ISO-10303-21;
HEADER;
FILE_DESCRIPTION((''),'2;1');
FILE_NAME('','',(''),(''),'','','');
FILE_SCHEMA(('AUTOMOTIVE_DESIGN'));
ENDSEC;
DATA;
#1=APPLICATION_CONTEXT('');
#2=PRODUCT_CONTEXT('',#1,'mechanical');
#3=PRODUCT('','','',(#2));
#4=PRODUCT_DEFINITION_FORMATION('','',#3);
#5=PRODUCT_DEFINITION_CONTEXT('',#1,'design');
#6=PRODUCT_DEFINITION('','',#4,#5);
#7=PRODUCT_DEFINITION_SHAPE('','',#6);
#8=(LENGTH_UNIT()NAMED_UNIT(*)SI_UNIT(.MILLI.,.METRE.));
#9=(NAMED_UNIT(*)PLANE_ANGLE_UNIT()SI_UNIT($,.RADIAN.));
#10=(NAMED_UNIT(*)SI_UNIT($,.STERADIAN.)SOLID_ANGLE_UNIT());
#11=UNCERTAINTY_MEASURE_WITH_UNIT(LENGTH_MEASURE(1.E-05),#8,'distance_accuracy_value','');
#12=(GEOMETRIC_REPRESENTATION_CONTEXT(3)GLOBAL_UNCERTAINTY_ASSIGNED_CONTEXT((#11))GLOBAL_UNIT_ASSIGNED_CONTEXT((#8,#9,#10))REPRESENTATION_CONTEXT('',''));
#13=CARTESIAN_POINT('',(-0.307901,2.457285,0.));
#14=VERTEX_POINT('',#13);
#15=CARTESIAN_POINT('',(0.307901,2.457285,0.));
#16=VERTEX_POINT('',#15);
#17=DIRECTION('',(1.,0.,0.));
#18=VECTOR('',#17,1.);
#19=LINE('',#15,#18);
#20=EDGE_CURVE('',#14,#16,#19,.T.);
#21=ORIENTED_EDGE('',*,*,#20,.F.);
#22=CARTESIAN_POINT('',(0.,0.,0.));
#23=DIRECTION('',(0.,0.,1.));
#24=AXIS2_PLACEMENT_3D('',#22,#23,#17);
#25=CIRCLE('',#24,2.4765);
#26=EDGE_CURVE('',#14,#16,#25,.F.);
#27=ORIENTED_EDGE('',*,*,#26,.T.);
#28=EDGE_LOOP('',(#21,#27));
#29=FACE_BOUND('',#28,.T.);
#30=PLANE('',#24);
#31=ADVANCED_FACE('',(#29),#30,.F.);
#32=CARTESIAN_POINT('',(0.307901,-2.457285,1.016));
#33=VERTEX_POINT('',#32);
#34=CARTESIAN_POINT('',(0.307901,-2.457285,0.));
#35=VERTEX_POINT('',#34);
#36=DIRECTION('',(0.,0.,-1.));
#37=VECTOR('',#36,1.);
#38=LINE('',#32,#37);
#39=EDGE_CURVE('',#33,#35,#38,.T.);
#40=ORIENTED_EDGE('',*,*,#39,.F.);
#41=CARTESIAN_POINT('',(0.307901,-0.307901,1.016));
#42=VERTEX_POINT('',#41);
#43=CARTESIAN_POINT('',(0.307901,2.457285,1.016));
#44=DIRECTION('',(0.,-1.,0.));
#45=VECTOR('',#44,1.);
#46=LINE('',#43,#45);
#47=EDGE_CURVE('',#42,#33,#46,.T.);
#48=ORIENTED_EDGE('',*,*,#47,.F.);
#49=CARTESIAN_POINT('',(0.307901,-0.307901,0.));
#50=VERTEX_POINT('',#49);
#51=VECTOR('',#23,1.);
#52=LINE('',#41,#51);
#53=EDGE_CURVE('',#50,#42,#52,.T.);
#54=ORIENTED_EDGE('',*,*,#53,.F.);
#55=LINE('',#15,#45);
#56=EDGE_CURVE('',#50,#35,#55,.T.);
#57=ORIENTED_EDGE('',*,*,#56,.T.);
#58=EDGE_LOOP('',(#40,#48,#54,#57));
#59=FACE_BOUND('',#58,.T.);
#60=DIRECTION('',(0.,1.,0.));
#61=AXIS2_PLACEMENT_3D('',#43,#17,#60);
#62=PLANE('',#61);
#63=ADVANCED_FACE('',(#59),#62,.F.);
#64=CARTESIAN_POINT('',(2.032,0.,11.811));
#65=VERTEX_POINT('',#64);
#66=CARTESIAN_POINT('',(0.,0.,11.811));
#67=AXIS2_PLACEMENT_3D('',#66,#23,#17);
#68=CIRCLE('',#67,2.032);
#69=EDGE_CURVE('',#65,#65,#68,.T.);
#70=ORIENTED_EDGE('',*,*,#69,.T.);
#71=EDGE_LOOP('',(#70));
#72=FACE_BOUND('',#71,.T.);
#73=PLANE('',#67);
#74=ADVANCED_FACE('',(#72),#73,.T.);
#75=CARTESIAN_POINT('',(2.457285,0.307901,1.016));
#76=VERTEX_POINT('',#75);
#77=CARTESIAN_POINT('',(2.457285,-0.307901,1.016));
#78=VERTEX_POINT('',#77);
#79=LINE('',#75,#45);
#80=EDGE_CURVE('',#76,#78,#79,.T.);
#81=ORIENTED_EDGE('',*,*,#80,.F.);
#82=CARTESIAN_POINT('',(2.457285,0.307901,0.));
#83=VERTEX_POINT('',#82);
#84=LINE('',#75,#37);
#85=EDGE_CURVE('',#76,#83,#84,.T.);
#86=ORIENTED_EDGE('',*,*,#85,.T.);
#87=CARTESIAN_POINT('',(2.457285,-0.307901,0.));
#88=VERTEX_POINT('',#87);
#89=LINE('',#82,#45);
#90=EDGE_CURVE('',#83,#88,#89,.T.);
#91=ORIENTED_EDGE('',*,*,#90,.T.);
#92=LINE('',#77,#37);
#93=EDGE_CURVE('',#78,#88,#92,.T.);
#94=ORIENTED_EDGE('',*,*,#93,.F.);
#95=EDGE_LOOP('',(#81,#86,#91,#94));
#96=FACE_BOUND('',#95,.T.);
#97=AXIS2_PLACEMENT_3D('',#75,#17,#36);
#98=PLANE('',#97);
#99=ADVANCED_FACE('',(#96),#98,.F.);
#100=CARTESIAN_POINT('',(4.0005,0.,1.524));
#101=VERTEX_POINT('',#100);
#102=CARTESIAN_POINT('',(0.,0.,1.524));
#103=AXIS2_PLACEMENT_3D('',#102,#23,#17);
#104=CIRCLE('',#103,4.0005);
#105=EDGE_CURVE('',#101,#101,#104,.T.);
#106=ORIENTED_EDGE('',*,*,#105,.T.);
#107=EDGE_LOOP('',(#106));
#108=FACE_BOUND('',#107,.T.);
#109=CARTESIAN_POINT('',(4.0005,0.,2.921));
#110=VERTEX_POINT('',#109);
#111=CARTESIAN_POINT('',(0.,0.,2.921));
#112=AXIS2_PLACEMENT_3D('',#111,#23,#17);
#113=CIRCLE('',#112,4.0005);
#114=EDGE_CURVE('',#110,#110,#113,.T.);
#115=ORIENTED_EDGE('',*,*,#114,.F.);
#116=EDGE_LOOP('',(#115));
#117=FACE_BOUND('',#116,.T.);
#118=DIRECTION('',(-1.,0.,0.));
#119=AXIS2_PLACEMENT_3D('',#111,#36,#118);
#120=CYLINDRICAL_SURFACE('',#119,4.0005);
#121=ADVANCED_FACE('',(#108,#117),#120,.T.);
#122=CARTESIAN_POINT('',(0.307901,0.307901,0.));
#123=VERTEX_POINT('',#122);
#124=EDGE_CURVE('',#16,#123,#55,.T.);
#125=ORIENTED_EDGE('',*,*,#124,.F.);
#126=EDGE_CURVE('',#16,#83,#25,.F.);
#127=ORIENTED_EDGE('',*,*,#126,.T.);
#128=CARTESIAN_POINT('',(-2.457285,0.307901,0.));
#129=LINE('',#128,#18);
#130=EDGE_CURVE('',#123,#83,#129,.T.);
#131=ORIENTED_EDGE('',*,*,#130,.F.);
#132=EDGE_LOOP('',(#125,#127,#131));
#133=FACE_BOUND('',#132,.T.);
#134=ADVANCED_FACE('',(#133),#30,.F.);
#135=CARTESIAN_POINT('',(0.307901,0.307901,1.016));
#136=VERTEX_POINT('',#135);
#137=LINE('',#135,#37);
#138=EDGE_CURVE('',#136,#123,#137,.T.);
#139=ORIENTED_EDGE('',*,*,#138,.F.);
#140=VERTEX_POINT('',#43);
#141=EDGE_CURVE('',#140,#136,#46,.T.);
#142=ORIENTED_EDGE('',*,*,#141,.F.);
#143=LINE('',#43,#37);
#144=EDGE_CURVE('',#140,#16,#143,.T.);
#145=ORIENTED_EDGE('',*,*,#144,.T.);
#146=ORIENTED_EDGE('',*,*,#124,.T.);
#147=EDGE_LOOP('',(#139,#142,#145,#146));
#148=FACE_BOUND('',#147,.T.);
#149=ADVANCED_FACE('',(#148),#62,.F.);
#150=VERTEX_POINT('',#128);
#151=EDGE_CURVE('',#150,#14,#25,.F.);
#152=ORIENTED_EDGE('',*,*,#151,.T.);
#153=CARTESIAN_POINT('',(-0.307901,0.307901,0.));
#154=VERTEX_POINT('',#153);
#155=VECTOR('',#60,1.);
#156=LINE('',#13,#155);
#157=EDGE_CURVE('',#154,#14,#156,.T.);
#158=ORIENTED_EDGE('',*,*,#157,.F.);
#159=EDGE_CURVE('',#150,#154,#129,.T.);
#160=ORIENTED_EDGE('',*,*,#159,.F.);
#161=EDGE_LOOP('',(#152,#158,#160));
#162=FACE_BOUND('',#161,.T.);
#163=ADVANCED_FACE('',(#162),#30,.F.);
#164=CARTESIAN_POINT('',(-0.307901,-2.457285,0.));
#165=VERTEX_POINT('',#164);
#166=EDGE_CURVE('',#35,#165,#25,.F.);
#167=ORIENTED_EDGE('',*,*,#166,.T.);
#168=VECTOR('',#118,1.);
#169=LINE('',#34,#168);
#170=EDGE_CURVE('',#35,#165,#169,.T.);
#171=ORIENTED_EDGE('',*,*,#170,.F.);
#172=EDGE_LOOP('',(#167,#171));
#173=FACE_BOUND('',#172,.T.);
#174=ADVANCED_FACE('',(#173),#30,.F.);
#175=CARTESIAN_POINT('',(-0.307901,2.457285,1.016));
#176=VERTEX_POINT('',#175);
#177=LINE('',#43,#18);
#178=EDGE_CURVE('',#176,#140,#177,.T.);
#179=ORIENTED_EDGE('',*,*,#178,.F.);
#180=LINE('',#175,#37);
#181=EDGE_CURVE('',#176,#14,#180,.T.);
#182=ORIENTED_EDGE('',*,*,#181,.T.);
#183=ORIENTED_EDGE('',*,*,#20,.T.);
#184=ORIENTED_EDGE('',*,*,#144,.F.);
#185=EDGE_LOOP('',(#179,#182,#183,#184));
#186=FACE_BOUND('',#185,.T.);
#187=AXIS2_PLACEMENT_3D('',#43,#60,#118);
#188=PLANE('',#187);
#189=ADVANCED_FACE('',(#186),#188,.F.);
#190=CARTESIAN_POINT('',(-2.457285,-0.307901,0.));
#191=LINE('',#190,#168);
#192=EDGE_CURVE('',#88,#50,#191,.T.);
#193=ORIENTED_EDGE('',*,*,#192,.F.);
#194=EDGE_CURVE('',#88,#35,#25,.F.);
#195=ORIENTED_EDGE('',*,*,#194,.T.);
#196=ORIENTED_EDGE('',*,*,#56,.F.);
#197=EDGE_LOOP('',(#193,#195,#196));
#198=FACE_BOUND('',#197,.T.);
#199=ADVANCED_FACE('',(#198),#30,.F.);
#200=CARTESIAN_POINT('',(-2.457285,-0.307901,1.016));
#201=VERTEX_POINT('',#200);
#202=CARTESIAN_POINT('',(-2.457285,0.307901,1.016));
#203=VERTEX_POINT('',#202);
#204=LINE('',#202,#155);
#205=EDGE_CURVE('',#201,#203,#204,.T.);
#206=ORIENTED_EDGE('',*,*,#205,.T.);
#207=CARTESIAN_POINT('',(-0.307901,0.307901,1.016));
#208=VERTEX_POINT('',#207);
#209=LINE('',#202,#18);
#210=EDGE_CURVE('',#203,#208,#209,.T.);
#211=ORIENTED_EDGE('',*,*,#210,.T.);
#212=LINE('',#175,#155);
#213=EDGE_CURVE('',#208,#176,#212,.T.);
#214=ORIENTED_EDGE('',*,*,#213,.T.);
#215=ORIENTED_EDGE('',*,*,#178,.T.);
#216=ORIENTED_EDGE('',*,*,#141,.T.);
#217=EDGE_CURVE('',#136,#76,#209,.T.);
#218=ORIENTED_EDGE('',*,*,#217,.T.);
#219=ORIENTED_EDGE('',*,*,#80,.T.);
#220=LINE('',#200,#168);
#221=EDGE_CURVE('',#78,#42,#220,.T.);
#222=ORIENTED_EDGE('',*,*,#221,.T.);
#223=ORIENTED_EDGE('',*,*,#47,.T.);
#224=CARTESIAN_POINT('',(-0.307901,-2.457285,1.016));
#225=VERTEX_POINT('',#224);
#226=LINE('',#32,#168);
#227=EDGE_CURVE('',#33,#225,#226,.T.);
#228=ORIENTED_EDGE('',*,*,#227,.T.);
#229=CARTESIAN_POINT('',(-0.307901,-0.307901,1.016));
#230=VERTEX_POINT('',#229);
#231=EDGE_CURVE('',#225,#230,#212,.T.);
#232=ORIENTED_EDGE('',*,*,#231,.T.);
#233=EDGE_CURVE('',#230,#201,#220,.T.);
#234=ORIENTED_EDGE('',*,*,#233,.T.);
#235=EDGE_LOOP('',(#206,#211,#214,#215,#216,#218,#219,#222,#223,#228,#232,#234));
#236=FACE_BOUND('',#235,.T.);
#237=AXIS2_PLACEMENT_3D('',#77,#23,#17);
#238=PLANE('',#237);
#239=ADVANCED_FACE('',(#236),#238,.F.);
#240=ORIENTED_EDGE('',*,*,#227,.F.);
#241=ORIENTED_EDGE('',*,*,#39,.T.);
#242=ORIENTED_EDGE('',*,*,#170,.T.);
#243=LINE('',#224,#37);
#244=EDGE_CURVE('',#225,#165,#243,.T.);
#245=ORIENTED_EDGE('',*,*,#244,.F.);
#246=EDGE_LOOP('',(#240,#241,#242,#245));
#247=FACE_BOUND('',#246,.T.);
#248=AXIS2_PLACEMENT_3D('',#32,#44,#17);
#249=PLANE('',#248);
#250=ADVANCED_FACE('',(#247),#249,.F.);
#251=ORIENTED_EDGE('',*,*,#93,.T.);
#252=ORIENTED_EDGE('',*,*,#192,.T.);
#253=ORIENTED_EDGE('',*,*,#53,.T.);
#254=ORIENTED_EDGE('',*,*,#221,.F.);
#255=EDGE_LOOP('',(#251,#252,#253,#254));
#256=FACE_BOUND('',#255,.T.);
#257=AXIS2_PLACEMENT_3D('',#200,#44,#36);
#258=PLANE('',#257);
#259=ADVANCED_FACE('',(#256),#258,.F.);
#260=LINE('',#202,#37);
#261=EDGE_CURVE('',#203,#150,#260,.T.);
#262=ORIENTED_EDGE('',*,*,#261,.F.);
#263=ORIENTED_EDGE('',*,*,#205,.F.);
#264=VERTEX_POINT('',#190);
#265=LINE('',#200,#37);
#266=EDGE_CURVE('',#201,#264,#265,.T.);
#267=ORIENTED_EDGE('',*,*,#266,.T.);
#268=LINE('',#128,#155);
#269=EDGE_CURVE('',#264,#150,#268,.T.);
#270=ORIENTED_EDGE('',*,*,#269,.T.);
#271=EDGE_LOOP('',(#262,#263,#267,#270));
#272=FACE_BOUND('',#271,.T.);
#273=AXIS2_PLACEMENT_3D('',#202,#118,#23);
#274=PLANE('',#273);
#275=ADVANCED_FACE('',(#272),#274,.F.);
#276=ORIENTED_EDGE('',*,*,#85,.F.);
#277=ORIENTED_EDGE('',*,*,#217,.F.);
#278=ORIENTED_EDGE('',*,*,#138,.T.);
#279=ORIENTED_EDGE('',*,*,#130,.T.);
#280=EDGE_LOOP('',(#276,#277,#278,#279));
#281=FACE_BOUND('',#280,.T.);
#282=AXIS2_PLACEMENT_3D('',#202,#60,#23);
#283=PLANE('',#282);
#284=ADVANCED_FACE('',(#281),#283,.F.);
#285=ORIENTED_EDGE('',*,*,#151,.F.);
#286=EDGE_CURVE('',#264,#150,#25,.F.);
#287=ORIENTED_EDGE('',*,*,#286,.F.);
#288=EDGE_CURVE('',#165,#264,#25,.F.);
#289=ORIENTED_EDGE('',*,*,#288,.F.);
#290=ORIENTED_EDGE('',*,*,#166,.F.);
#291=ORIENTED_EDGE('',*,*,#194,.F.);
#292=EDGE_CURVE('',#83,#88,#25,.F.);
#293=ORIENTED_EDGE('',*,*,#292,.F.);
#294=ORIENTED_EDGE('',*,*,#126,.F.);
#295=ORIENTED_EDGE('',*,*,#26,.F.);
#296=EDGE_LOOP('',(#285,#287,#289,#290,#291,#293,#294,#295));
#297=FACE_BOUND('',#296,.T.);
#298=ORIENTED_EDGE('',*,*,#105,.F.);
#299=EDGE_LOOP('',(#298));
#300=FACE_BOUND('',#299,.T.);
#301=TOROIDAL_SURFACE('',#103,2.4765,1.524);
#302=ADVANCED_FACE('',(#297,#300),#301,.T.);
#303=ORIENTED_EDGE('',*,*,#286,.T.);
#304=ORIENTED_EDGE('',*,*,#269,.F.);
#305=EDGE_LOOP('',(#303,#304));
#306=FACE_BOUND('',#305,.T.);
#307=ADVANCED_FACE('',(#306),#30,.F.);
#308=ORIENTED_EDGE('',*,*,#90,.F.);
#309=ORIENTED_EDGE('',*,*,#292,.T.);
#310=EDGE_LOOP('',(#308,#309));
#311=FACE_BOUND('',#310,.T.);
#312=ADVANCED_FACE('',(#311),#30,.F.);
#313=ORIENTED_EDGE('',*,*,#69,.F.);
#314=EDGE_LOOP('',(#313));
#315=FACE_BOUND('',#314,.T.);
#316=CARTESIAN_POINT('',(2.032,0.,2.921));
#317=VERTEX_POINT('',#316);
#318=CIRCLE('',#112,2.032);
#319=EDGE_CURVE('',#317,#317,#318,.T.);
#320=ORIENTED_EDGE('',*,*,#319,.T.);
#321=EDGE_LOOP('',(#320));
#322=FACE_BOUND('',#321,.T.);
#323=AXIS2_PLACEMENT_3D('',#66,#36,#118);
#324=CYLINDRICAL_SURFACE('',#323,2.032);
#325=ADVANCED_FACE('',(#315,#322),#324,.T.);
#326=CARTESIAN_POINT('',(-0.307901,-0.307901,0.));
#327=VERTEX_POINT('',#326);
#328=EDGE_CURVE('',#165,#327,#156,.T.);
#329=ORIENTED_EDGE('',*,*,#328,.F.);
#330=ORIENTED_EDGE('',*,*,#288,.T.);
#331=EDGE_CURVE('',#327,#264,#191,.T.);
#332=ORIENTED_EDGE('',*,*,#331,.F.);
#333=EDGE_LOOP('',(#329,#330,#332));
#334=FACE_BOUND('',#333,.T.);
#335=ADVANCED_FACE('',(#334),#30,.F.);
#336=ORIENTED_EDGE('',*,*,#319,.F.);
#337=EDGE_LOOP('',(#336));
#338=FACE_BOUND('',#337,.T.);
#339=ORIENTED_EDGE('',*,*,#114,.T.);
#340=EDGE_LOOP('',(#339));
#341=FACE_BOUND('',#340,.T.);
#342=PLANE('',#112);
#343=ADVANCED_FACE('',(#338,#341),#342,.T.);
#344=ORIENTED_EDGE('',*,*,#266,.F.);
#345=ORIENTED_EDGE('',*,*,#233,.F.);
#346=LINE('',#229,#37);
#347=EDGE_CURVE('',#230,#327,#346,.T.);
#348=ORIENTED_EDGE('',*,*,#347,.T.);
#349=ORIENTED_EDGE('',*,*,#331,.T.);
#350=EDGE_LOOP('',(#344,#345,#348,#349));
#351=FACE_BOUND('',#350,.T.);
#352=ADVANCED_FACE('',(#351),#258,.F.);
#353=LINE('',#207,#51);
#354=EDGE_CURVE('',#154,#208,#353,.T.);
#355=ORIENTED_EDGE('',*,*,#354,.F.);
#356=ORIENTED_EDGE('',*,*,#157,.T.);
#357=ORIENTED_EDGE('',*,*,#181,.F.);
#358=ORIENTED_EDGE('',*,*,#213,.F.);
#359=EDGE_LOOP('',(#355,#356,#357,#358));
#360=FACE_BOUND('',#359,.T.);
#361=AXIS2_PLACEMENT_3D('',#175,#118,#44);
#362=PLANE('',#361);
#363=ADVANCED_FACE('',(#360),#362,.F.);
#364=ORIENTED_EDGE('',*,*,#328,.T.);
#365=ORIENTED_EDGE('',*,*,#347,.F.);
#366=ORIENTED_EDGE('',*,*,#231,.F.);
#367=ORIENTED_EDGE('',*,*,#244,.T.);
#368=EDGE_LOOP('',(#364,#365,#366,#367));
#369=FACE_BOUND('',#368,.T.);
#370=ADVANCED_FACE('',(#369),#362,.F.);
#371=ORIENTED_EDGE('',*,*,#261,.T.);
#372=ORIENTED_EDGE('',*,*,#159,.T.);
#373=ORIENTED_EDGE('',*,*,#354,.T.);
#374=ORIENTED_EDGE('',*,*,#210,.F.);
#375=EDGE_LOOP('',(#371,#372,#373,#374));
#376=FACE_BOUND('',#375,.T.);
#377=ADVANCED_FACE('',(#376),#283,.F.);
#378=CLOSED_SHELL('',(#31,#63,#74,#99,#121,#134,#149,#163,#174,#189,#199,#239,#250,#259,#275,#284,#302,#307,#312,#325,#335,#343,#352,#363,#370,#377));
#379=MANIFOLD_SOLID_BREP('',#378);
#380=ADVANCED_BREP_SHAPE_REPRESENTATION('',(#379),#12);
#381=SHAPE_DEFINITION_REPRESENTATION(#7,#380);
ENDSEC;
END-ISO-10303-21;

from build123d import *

# Parameters (mm, degrees)
SKETCH1_R         = 4.0005
EXTRUDE1_DEPTH    = 2.921
FILLET1_R         = 1.524
SKETCH2_R         = 2.032
EXTRUDE2_DEPTH    = 8.89
SKETCH3_W         = 4.91456988
SKETCH3_H         = 0.615801824
EXTRUDE3_DEPTH    = 1.016
CIRPATTERN1_COUNT = 2
CIRPATTERN1_ANGLE = 90


with BuildPart() as part:
    # Sketch1 → Extrude1 (new body)
    with BuildSketch(Plane.XY):
        Circle(SKETCH1_R)
    extrude(amount=EXTRUDE1_DEPTH)

    # Fillet1
    fillet1_edges = [part.edges().sort_by_distance(p)[0] for p in [
        (-4.0005, 0, 0),
    ]]
    fillet(fillet1_edges, radius=FILLET1_R)

    # Sketch2 → Extrude2 (add)
    with BuildSketch(Plane.XY.offset(2.921)):
        Circle(SKETCH2_R)
    extrude(amount=EXTRUDE2_DEPTH)

    # Sketch3 → Extrude3 (cut)
    with BuildSketch(Plane(origin=(0, 0, 0), x_dir=(-1, 0, 0), z_dir=(0, 0, -1))):
        Rectangle(SKETCH3_W, SKETCH3_H)
    extrude3 = extrude(amount=-EXTRUDE3_DEPTH, mode=Mode.SUBTRACT)

    # CirPattern1: Extrude3 ×2 about axis
    cirpattern1_axis = Axis((0, 0, 0), (0, 0, -1))
    for i in range(1, CIRPATTERN1_COUNT):
        add(extrude3.rotate(cirpattern1_axis, i * CIRPATTERN1_ANGLE / (CIRPATTERN1_COUNT - 1)), mode=Mode.SUBTRACT)


solid = part.part
